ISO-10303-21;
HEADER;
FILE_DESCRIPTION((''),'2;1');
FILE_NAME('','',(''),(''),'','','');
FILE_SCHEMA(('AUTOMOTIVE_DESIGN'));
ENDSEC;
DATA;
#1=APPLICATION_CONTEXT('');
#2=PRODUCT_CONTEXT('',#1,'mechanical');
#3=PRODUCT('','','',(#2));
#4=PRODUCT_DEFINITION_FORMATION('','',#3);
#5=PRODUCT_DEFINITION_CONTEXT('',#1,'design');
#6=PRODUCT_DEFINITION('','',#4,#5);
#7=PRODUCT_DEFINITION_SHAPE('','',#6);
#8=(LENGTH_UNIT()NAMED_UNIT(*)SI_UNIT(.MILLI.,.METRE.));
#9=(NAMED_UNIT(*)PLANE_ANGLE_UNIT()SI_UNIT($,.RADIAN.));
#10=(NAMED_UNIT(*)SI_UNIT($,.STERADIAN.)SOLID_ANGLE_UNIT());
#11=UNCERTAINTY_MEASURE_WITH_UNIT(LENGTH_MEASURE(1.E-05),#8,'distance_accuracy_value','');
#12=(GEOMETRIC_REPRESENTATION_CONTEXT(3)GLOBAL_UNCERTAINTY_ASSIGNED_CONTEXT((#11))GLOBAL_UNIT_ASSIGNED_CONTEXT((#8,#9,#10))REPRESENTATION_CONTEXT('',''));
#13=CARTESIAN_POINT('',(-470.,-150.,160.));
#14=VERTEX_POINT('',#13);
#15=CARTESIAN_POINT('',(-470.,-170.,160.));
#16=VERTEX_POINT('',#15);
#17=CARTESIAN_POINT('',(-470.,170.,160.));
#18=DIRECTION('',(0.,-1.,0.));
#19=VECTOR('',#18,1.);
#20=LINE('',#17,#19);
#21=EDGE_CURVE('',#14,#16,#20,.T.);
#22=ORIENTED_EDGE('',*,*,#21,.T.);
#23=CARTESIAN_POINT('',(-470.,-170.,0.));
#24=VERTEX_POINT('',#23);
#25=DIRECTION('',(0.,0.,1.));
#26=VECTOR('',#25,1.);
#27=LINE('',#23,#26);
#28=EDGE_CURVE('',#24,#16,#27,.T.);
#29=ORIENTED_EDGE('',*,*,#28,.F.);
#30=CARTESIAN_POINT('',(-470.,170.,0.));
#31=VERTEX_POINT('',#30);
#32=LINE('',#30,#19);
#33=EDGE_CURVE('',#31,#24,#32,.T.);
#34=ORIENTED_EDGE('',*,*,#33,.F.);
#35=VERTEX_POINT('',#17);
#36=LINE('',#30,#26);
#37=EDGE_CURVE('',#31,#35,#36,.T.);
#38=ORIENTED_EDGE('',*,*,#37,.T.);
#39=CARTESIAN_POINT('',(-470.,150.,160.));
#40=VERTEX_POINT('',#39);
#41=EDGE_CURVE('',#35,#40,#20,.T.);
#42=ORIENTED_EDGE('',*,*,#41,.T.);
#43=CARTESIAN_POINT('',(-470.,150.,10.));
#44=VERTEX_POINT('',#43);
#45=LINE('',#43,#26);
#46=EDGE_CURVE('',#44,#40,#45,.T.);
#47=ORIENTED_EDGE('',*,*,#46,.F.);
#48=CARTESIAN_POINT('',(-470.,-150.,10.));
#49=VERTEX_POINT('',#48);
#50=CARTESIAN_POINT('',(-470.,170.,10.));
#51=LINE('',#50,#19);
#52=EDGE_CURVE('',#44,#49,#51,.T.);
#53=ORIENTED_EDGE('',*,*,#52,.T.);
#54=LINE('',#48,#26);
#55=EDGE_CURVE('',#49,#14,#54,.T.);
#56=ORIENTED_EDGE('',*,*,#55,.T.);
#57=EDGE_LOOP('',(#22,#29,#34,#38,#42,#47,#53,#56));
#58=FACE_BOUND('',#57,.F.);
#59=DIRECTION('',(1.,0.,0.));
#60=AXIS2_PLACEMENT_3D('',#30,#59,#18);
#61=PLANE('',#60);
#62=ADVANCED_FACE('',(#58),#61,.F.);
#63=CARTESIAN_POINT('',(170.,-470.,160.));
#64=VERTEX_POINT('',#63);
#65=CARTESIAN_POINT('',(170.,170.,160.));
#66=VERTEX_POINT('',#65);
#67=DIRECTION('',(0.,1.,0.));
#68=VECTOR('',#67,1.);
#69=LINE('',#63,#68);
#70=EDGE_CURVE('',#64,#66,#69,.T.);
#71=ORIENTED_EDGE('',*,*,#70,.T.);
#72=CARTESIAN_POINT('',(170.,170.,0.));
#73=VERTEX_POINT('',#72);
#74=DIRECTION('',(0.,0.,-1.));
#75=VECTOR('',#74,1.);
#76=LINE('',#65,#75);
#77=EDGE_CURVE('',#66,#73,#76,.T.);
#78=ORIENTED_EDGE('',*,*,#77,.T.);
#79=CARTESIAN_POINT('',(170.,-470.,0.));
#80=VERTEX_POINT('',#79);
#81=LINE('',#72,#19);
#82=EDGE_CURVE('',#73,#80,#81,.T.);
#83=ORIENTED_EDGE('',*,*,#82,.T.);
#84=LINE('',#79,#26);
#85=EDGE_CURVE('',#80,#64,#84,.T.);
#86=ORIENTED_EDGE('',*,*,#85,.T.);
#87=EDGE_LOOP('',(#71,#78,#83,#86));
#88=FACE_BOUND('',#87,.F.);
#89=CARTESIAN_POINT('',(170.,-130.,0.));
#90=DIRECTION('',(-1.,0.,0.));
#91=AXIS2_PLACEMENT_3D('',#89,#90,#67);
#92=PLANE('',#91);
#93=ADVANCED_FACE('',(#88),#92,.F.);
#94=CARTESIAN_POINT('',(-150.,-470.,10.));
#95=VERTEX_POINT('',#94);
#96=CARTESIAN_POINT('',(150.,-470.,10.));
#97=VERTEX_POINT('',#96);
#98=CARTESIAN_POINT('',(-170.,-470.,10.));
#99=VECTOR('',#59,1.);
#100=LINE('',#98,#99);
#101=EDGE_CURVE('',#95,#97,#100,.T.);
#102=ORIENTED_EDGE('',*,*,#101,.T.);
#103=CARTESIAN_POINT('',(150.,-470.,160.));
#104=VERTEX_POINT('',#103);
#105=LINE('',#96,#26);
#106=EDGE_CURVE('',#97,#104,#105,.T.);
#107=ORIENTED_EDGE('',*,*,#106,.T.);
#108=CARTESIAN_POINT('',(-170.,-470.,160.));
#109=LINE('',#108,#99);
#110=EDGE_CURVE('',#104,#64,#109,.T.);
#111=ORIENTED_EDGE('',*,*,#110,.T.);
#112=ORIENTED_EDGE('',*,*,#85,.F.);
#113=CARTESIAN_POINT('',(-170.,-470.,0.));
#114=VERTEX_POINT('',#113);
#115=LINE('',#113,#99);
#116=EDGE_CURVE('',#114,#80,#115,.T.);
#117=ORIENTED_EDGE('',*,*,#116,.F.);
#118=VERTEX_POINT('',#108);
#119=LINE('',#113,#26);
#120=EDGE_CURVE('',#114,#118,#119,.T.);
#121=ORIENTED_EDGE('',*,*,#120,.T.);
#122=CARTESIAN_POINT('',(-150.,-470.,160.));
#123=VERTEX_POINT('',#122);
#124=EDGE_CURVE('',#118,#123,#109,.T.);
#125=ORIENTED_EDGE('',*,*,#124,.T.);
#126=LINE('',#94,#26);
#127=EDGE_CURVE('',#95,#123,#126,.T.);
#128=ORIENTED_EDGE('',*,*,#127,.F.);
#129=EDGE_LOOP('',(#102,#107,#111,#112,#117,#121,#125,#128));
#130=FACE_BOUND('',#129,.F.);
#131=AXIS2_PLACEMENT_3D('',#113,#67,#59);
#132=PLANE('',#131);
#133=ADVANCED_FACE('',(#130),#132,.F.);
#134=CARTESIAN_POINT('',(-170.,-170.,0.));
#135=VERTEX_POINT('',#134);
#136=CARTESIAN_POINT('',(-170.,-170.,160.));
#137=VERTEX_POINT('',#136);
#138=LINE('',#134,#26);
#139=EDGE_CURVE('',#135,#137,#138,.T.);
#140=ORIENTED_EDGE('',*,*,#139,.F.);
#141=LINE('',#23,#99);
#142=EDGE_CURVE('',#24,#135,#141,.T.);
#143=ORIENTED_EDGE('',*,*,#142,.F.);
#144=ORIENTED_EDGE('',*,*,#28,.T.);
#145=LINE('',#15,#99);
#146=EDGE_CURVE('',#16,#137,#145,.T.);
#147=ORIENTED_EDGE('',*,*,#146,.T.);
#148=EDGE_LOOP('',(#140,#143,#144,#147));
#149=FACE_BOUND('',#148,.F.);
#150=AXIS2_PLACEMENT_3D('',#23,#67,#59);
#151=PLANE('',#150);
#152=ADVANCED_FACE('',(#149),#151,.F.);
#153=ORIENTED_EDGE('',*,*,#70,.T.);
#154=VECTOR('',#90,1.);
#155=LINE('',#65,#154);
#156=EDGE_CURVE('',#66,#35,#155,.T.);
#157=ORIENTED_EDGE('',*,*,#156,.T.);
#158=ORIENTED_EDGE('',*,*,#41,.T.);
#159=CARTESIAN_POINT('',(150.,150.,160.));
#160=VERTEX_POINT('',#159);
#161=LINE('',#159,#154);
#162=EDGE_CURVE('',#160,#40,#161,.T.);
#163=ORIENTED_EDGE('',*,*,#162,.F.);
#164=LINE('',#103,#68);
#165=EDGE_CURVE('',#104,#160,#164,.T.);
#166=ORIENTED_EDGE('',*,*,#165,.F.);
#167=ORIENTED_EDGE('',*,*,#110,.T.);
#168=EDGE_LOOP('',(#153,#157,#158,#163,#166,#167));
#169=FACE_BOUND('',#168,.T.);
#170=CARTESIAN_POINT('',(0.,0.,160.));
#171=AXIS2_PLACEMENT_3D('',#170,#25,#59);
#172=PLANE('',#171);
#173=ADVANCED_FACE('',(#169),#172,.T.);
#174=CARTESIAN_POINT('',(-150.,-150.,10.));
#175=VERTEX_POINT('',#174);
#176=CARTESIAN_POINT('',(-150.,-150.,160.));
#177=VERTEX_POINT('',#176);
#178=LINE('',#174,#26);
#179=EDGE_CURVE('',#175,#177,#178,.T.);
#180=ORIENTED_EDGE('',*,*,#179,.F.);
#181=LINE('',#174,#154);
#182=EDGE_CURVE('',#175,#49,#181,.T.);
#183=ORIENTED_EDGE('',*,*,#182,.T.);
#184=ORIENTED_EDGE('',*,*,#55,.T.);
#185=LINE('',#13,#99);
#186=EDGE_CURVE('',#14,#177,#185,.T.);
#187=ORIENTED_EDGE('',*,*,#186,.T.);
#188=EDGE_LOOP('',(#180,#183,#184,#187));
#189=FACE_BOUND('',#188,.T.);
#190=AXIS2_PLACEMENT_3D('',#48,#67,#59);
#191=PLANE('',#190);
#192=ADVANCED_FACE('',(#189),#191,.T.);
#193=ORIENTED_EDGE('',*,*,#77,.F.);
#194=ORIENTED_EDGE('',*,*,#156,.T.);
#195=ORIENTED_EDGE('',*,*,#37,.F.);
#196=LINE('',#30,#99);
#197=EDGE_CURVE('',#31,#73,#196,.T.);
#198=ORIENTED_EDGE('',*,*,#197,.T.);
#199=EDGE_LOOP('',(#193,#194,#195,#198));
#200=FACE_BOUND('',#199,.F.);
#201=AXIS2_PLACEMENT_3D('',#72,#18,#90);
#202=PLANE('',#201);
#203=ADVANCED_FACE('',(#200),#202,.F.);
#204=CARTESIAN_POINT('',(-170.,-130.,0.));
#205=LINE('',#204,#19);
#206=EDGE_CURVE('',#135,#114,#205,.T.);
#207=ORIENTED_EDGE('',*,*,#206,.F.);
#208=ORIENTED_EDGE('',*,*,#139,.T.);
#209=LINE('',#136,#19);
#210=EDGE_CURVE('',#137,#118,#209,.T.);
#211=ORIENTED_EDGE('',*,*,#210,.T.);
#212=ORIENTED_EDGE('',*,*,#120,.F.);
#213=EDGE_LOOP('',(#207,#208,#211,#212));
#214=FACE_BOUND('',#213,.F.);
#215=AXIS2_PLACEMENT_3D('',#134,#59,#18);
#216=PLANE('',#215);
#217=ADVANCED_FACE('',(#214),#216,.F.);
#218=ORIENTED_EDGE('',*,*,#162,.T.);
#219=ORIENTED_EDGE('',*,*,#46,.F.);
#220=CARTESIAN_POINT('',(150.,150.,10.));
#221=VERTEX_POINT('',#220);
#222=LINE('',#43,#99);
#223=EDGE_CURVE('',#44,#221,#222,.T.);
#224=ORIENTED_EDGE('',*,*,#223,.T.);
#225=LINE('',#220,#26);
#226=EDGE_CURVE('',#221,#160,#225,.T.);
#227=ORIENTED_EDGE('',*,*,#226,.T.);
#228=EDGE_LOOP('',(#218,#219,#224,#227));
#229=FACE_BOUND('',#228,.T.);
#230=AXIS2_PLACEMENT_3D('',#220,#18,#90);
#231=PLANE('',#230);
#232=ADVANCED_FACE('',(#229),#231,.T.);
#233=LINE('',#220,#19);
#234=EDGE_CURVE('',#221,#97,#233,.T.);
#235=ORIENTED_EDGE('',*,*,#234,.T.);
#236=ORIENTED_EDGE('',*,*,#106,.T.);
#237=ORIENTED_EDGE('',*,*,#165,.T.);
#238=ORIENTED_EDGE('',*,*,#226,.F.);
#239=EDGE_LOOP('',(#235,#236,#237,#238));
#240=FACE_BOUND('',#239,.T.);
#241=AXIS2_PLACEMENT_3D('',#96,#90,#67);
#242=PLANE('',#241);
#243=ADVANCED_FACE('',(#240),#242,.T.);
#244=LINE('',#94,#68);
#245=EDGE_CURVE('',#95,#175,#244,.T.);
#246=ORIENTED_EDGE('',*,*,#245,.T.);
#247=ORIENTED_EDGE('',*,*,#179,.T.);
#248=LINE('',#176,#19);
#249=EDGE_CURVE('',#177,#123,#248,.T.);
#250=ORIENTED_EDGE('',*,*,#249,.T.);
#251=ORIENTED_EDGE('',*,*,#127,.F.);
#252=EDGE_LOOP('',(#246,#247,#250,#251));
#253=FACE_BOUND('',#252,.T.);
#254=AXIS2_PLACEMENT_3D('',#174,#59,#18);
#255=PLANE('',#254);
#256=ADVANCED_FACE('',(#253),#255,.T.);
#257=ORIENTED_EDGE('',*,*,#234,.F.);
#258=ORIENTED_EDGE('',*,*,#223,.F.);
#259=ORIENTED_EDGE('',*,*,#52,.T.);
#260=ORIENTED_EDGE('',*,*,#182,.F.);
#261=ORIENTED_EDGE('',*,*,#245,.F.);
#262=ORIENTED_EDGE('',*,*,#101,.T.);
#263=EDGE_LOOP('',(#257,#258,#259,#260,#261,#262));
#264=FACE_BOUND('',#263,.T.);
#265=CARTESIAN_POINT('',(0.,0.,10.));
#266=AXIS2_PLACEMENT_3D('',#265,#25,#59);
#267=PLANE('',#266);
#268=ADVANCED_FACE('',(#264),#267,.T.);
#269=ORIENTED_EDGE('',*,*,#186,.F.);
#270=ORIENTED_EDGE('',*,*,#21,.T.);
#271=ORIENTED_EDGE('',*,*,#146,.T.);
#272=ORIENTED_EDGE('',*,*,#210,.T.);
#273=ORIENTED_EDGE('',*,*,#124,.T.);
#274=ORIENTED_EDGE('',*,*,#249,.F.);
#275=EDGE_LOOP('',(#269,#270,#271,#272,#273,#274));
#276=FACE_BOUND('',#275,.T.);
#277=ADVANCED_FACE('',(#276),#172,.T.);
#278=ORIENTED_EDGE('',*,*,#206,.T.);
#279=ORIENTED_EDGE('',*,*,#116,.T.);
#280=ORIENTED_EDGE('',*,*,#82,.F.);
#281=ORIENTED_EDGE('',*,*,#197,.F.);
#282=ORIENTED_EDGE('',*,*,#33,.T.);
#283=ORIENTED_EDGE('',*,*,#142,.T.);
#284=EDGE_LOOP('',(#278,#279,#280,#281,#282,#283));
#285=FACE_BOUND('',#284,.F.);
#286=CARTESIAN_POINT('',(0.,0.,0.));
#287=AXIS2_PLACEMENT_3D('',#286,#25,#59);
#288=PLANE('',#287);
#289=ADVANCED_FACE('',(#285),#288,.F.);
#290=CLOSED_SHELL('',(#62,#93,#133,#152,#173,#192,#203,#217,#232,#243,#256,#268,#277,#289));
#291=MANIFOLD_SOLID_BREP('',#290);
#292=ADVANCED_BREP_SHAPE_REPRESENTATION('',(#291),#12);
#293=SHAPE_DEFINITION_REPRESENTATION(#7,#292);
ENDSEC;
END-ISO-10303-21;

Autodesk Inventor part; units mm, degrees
ref_plane "YZ Plane" through (0, 0, 0) normal (1, 0, 0) x (0, 1, 0)
ref_plane "XZ Plane" through (0, 0, 0) normal (0, 1, 0) x (-1, 0, 0)
ref_plane "XY Plane" through (0, 0, 0) normal (0, 0, 1) x (1, 0, 0)
sketch "Эскиз1" plane through (0, 0, 0) normal (0, 0, 1) x (1, 0, 0)
  line L0 (150, 150) -> (-150, 150)
  line L1 (-150, 150) -> (-150, -150)
  line L2 (-150, -150) -> (150, -150)
  line L3 (150, -150) -> (150, 150)
  line L4 (150, 150) -> (-150, -150) construction
  line L5 (-150, 150) -> (150, -150) construction
  line L6 (-450, 150) -> (-150, 150)
  line L7 (-150, 150) -> (-150, -150)
  line L8 (-150, -150) -> (-450, -150)
  line L9 (-450, -150) -> (-450, 150)
  line L10 (-450, 150) -> (-150, -150) construction
  line L11 (-150, 150) -> (-450, -150) construction
  line L12 (150, -150) -> (-150, -150)
  line L13 (-150, -150) -> (-150, -450)
  line L14 (-150, -450) -> (150, -450)
  line L15 (150, -450) -> (150, -150)
  line L16 (150, -150) -> (-150, -450) construction
  line L17 (-150, -150) -> (150, -450) construction
  line L18 (170, 170) -> (-170, 170)
  line L19 (-170, 170) -> (-170, -170)
  line L20 (-170, -170) -> (170, -170)
  line L21 (170, -170) -> (170, 170)
  line L22 (170, -130) -> (-170, -130)
  line L23 (-170, -130) -> (-170, -470)
  line L24 (-170, -470) -> (170, -470)
  line L25 (170, -470) -> (170, -130)
  line L26 (-470, -170) -> (-130, -170)
  line L27 (-130, -170) -> (-130, 170)
  line L28 (-130, 170) -> (-470, 170)
  line L29 (-470, 170) -> (-470, -170)
  point P0 (0, 0)
  point P1 (-300, 0)
  point P2 (0, -300)
  point P3 (-170, 170)
  point P4 (170, -170)
  dimension "d0" = 300
  dimension "d1" = 300
  dimension "d2" = 300
  dimension "d3" = 300
  dimension "d4" = 300
  dimension "d5" = 300
  dimension "d6" = 20
  dimension "d7" = 20
  dimension "d8" = 20
extrude "Выдавливание1" add sketch "Эскиз1" along normal blind 10
sketch "Эскиз2" plane through (0, 0, 10) normal (0, 0, 1) x (1, 0, 0)
  line L0 (170, 170) -> (-470, 170) projected
  line L1 (-470, 170) -> (-470, -170) projected
  line L2 (-470, -170) -> (-170, -170) projected
  line L3 (-170, -170) -> (-170, -470) projected
  line L4 (-170, -470) -> (170, -470) projected
  line L5 (170, -470) -> (170, 170) projected
  line L6 (150, 150) -> (-450, 150)
  line L7 (-450, 150) -> (-450, -150)
  line L8 (-450, -150) -> (-150, -150)
  line L9 (-150, -150) -> (-150, -450)
  line L10 (-150, -450) -> (150, -450)
  line L11 (150, -450) -> (150, 150)
  line L12 (-170, -470) -> (170, -470) projected
  line L13 (150, -450) -> (-150, -450)
  line L14 (-150, -450) -> (-150, -470)
  line L15 (-150, -470) -> (150, -470)
  line L16 (150, -470) -> (150, -450)
  line L17 (-470, 170) -> (-470, -170) projected
  line L18 (-450, 150) -> (-470, 150)
  line L19 (-470, 150) -> (-470, -150)
  line L20 (-470, -150) -> (-450, -150)
  line L21 (-450, -150) -> (-450, 150)
  point P0 (0, 0)
  dimension "d11" = 20
extrude "Выдавливание2" add sketch "Эскиз2" along normal blind 150 contours L5 L4 L16 L11 L6 L18 L1 L0 | L20 L8 L9 L14 L4 L3 L2 L1
sketch "Эскиз3" plane through (-470, 150, 10) normal (0, -1, 0) x (1, 0, 0)
  line L0 (620, 0) -> (0, 0) projected
  line L1 (620, 0) -> (620, 150) projected
  line L2 (0, 150) -> (620, 150) projected
  line L3 (0, 0) -> (0, 150) projected
  line L4 (620, 0) -> (620, 150) projected
  line L5 (620, 70) -> (0, 70)
  line L6 (0, 0) -> (0, 150) projected
  line L7 (620, 30) -> (0, 30)
  line L8 (620, 110) -> (0, 110)
  point P0 (470, -10)
  dimension "d14" = 70
  dimension "d15" = 40
  dimension "d16" = 40
properties part number "labik"
